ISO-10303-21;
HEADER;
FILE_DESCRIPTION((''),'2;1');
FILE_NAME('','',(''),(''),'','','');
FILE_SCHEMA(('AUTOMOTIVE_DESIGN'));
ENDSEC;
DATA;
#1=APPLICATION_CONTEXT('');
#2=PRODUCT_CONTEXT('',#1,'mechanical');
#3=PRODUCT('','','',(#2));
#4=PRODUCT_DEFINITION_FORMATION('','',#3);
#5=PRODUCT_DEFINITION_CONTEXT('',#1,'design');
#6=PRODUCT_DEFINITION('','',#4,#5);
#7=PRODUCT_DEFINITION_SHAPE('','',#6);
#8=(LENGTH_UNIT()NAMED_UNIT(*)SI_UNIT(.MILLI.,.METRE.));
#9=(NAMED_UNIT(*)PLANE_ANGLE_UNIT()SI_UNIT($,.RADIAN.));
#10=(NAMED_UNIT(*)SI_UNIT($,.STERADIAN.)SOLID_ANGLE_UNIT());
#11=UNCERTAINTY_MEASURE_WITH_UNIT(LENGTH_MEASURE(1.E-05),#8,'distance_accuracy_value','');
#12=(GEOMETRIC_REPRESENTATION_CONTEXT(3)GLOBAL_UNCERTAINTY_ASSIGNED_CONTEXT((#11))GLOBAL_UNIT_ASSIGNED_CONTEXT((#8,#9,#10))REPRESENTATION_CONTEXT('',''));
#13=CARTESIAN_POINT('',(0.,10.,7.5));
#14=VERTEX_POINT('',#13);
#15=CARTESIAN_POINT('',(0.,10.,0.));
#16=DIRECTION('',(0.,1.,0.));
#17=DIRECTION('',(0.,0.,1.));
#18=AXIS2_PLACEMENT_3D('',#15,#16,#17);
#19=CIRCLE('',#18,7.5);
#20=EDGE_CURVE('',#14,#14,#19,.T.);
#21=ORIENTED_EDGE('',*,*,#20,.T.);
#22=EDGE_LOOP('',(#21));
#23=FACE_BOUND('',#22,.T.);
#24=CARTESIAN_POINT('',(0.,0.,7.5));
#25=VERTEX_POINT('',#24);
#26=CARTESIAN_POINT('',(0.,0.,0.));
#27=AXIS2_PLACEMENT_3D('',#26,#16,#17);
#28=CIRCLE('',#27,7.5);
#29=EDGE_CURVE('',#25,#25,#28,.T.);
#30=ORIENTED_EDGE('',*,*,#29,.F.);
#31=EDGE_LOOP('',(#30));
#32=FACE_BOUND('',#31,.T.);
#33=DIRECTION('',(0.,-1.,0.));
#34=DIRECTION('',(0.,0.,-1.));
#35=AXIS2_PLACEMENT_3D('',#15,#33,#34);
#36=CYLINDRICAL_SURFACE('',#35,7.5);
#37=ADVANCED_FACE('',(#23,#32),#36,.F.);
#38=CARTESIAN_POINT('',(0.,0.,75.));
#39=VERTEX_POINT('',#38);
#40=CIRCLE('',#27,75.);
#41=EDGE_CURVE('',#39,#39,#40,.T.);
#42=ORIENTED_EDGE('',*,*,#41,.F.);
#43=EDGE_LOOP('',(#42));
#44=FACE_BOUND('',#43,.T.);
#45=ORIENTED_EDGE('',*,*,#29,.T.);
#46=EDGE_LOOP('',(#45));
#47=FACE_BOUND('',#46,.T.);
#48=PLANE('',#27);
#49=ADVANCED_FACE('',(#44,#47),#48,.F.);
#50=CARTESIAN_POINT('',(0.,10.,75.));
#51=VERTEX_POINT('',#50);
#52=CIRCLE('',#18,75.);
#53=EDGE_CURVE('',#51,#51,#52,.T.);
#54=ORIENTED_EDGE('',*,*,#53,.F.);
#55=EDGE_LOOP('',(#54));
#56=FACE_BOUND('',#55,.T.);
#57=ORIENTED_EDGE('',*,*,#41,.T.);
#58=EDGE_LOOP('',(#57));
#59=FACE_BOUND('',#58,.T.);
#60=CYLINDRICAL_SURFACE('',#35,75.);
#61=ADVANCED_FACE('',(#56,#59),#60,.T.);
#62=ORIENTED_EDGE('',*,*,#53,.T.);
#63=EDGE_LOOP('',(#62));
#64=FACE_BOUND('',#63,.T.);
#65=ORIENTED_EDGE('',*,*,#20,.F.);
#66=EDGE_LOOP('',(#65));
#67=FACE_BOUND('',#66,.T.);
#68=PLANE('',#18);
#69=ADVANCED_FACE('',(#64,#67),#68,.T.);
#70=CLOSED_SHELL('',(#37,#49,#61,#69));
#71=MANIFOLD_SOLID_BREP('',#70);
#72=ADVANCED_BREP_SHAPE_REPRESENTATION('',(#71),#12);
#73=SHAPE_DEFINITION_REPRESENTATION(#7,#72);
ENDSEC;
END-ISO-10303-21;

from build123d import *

# Parameters (mm, degrees)
SKIZZE1_R                       = 75
SKIZZE1_R_2                     = 7.5
AUFSATZ_LINEAR_AUSTRAGEN1_DEPTH = 10


with BuildPart() as part:
    # Skizze1 → Aufsatz-Linear austragen1 (new body)
    with BuildSketch(Plane(origin=(0, 0, 0), x_dir=(1, 0, 0), z_dir=(0, 1, 0))):
        with Locations(Location((0, 0, 0), (0, 0, 270))):
            Circle(SKIZZE1_R)
        with Locations(Location((0, 0, 0), (0, 0, 270))):
            Circle(SKIZZE1_R_2, mode=Mode.SUBTRACT)
    extrude(amount=AUFSATZ_LINEAR_AUSTRAGEN1_DEPTH)


solid = part.part
